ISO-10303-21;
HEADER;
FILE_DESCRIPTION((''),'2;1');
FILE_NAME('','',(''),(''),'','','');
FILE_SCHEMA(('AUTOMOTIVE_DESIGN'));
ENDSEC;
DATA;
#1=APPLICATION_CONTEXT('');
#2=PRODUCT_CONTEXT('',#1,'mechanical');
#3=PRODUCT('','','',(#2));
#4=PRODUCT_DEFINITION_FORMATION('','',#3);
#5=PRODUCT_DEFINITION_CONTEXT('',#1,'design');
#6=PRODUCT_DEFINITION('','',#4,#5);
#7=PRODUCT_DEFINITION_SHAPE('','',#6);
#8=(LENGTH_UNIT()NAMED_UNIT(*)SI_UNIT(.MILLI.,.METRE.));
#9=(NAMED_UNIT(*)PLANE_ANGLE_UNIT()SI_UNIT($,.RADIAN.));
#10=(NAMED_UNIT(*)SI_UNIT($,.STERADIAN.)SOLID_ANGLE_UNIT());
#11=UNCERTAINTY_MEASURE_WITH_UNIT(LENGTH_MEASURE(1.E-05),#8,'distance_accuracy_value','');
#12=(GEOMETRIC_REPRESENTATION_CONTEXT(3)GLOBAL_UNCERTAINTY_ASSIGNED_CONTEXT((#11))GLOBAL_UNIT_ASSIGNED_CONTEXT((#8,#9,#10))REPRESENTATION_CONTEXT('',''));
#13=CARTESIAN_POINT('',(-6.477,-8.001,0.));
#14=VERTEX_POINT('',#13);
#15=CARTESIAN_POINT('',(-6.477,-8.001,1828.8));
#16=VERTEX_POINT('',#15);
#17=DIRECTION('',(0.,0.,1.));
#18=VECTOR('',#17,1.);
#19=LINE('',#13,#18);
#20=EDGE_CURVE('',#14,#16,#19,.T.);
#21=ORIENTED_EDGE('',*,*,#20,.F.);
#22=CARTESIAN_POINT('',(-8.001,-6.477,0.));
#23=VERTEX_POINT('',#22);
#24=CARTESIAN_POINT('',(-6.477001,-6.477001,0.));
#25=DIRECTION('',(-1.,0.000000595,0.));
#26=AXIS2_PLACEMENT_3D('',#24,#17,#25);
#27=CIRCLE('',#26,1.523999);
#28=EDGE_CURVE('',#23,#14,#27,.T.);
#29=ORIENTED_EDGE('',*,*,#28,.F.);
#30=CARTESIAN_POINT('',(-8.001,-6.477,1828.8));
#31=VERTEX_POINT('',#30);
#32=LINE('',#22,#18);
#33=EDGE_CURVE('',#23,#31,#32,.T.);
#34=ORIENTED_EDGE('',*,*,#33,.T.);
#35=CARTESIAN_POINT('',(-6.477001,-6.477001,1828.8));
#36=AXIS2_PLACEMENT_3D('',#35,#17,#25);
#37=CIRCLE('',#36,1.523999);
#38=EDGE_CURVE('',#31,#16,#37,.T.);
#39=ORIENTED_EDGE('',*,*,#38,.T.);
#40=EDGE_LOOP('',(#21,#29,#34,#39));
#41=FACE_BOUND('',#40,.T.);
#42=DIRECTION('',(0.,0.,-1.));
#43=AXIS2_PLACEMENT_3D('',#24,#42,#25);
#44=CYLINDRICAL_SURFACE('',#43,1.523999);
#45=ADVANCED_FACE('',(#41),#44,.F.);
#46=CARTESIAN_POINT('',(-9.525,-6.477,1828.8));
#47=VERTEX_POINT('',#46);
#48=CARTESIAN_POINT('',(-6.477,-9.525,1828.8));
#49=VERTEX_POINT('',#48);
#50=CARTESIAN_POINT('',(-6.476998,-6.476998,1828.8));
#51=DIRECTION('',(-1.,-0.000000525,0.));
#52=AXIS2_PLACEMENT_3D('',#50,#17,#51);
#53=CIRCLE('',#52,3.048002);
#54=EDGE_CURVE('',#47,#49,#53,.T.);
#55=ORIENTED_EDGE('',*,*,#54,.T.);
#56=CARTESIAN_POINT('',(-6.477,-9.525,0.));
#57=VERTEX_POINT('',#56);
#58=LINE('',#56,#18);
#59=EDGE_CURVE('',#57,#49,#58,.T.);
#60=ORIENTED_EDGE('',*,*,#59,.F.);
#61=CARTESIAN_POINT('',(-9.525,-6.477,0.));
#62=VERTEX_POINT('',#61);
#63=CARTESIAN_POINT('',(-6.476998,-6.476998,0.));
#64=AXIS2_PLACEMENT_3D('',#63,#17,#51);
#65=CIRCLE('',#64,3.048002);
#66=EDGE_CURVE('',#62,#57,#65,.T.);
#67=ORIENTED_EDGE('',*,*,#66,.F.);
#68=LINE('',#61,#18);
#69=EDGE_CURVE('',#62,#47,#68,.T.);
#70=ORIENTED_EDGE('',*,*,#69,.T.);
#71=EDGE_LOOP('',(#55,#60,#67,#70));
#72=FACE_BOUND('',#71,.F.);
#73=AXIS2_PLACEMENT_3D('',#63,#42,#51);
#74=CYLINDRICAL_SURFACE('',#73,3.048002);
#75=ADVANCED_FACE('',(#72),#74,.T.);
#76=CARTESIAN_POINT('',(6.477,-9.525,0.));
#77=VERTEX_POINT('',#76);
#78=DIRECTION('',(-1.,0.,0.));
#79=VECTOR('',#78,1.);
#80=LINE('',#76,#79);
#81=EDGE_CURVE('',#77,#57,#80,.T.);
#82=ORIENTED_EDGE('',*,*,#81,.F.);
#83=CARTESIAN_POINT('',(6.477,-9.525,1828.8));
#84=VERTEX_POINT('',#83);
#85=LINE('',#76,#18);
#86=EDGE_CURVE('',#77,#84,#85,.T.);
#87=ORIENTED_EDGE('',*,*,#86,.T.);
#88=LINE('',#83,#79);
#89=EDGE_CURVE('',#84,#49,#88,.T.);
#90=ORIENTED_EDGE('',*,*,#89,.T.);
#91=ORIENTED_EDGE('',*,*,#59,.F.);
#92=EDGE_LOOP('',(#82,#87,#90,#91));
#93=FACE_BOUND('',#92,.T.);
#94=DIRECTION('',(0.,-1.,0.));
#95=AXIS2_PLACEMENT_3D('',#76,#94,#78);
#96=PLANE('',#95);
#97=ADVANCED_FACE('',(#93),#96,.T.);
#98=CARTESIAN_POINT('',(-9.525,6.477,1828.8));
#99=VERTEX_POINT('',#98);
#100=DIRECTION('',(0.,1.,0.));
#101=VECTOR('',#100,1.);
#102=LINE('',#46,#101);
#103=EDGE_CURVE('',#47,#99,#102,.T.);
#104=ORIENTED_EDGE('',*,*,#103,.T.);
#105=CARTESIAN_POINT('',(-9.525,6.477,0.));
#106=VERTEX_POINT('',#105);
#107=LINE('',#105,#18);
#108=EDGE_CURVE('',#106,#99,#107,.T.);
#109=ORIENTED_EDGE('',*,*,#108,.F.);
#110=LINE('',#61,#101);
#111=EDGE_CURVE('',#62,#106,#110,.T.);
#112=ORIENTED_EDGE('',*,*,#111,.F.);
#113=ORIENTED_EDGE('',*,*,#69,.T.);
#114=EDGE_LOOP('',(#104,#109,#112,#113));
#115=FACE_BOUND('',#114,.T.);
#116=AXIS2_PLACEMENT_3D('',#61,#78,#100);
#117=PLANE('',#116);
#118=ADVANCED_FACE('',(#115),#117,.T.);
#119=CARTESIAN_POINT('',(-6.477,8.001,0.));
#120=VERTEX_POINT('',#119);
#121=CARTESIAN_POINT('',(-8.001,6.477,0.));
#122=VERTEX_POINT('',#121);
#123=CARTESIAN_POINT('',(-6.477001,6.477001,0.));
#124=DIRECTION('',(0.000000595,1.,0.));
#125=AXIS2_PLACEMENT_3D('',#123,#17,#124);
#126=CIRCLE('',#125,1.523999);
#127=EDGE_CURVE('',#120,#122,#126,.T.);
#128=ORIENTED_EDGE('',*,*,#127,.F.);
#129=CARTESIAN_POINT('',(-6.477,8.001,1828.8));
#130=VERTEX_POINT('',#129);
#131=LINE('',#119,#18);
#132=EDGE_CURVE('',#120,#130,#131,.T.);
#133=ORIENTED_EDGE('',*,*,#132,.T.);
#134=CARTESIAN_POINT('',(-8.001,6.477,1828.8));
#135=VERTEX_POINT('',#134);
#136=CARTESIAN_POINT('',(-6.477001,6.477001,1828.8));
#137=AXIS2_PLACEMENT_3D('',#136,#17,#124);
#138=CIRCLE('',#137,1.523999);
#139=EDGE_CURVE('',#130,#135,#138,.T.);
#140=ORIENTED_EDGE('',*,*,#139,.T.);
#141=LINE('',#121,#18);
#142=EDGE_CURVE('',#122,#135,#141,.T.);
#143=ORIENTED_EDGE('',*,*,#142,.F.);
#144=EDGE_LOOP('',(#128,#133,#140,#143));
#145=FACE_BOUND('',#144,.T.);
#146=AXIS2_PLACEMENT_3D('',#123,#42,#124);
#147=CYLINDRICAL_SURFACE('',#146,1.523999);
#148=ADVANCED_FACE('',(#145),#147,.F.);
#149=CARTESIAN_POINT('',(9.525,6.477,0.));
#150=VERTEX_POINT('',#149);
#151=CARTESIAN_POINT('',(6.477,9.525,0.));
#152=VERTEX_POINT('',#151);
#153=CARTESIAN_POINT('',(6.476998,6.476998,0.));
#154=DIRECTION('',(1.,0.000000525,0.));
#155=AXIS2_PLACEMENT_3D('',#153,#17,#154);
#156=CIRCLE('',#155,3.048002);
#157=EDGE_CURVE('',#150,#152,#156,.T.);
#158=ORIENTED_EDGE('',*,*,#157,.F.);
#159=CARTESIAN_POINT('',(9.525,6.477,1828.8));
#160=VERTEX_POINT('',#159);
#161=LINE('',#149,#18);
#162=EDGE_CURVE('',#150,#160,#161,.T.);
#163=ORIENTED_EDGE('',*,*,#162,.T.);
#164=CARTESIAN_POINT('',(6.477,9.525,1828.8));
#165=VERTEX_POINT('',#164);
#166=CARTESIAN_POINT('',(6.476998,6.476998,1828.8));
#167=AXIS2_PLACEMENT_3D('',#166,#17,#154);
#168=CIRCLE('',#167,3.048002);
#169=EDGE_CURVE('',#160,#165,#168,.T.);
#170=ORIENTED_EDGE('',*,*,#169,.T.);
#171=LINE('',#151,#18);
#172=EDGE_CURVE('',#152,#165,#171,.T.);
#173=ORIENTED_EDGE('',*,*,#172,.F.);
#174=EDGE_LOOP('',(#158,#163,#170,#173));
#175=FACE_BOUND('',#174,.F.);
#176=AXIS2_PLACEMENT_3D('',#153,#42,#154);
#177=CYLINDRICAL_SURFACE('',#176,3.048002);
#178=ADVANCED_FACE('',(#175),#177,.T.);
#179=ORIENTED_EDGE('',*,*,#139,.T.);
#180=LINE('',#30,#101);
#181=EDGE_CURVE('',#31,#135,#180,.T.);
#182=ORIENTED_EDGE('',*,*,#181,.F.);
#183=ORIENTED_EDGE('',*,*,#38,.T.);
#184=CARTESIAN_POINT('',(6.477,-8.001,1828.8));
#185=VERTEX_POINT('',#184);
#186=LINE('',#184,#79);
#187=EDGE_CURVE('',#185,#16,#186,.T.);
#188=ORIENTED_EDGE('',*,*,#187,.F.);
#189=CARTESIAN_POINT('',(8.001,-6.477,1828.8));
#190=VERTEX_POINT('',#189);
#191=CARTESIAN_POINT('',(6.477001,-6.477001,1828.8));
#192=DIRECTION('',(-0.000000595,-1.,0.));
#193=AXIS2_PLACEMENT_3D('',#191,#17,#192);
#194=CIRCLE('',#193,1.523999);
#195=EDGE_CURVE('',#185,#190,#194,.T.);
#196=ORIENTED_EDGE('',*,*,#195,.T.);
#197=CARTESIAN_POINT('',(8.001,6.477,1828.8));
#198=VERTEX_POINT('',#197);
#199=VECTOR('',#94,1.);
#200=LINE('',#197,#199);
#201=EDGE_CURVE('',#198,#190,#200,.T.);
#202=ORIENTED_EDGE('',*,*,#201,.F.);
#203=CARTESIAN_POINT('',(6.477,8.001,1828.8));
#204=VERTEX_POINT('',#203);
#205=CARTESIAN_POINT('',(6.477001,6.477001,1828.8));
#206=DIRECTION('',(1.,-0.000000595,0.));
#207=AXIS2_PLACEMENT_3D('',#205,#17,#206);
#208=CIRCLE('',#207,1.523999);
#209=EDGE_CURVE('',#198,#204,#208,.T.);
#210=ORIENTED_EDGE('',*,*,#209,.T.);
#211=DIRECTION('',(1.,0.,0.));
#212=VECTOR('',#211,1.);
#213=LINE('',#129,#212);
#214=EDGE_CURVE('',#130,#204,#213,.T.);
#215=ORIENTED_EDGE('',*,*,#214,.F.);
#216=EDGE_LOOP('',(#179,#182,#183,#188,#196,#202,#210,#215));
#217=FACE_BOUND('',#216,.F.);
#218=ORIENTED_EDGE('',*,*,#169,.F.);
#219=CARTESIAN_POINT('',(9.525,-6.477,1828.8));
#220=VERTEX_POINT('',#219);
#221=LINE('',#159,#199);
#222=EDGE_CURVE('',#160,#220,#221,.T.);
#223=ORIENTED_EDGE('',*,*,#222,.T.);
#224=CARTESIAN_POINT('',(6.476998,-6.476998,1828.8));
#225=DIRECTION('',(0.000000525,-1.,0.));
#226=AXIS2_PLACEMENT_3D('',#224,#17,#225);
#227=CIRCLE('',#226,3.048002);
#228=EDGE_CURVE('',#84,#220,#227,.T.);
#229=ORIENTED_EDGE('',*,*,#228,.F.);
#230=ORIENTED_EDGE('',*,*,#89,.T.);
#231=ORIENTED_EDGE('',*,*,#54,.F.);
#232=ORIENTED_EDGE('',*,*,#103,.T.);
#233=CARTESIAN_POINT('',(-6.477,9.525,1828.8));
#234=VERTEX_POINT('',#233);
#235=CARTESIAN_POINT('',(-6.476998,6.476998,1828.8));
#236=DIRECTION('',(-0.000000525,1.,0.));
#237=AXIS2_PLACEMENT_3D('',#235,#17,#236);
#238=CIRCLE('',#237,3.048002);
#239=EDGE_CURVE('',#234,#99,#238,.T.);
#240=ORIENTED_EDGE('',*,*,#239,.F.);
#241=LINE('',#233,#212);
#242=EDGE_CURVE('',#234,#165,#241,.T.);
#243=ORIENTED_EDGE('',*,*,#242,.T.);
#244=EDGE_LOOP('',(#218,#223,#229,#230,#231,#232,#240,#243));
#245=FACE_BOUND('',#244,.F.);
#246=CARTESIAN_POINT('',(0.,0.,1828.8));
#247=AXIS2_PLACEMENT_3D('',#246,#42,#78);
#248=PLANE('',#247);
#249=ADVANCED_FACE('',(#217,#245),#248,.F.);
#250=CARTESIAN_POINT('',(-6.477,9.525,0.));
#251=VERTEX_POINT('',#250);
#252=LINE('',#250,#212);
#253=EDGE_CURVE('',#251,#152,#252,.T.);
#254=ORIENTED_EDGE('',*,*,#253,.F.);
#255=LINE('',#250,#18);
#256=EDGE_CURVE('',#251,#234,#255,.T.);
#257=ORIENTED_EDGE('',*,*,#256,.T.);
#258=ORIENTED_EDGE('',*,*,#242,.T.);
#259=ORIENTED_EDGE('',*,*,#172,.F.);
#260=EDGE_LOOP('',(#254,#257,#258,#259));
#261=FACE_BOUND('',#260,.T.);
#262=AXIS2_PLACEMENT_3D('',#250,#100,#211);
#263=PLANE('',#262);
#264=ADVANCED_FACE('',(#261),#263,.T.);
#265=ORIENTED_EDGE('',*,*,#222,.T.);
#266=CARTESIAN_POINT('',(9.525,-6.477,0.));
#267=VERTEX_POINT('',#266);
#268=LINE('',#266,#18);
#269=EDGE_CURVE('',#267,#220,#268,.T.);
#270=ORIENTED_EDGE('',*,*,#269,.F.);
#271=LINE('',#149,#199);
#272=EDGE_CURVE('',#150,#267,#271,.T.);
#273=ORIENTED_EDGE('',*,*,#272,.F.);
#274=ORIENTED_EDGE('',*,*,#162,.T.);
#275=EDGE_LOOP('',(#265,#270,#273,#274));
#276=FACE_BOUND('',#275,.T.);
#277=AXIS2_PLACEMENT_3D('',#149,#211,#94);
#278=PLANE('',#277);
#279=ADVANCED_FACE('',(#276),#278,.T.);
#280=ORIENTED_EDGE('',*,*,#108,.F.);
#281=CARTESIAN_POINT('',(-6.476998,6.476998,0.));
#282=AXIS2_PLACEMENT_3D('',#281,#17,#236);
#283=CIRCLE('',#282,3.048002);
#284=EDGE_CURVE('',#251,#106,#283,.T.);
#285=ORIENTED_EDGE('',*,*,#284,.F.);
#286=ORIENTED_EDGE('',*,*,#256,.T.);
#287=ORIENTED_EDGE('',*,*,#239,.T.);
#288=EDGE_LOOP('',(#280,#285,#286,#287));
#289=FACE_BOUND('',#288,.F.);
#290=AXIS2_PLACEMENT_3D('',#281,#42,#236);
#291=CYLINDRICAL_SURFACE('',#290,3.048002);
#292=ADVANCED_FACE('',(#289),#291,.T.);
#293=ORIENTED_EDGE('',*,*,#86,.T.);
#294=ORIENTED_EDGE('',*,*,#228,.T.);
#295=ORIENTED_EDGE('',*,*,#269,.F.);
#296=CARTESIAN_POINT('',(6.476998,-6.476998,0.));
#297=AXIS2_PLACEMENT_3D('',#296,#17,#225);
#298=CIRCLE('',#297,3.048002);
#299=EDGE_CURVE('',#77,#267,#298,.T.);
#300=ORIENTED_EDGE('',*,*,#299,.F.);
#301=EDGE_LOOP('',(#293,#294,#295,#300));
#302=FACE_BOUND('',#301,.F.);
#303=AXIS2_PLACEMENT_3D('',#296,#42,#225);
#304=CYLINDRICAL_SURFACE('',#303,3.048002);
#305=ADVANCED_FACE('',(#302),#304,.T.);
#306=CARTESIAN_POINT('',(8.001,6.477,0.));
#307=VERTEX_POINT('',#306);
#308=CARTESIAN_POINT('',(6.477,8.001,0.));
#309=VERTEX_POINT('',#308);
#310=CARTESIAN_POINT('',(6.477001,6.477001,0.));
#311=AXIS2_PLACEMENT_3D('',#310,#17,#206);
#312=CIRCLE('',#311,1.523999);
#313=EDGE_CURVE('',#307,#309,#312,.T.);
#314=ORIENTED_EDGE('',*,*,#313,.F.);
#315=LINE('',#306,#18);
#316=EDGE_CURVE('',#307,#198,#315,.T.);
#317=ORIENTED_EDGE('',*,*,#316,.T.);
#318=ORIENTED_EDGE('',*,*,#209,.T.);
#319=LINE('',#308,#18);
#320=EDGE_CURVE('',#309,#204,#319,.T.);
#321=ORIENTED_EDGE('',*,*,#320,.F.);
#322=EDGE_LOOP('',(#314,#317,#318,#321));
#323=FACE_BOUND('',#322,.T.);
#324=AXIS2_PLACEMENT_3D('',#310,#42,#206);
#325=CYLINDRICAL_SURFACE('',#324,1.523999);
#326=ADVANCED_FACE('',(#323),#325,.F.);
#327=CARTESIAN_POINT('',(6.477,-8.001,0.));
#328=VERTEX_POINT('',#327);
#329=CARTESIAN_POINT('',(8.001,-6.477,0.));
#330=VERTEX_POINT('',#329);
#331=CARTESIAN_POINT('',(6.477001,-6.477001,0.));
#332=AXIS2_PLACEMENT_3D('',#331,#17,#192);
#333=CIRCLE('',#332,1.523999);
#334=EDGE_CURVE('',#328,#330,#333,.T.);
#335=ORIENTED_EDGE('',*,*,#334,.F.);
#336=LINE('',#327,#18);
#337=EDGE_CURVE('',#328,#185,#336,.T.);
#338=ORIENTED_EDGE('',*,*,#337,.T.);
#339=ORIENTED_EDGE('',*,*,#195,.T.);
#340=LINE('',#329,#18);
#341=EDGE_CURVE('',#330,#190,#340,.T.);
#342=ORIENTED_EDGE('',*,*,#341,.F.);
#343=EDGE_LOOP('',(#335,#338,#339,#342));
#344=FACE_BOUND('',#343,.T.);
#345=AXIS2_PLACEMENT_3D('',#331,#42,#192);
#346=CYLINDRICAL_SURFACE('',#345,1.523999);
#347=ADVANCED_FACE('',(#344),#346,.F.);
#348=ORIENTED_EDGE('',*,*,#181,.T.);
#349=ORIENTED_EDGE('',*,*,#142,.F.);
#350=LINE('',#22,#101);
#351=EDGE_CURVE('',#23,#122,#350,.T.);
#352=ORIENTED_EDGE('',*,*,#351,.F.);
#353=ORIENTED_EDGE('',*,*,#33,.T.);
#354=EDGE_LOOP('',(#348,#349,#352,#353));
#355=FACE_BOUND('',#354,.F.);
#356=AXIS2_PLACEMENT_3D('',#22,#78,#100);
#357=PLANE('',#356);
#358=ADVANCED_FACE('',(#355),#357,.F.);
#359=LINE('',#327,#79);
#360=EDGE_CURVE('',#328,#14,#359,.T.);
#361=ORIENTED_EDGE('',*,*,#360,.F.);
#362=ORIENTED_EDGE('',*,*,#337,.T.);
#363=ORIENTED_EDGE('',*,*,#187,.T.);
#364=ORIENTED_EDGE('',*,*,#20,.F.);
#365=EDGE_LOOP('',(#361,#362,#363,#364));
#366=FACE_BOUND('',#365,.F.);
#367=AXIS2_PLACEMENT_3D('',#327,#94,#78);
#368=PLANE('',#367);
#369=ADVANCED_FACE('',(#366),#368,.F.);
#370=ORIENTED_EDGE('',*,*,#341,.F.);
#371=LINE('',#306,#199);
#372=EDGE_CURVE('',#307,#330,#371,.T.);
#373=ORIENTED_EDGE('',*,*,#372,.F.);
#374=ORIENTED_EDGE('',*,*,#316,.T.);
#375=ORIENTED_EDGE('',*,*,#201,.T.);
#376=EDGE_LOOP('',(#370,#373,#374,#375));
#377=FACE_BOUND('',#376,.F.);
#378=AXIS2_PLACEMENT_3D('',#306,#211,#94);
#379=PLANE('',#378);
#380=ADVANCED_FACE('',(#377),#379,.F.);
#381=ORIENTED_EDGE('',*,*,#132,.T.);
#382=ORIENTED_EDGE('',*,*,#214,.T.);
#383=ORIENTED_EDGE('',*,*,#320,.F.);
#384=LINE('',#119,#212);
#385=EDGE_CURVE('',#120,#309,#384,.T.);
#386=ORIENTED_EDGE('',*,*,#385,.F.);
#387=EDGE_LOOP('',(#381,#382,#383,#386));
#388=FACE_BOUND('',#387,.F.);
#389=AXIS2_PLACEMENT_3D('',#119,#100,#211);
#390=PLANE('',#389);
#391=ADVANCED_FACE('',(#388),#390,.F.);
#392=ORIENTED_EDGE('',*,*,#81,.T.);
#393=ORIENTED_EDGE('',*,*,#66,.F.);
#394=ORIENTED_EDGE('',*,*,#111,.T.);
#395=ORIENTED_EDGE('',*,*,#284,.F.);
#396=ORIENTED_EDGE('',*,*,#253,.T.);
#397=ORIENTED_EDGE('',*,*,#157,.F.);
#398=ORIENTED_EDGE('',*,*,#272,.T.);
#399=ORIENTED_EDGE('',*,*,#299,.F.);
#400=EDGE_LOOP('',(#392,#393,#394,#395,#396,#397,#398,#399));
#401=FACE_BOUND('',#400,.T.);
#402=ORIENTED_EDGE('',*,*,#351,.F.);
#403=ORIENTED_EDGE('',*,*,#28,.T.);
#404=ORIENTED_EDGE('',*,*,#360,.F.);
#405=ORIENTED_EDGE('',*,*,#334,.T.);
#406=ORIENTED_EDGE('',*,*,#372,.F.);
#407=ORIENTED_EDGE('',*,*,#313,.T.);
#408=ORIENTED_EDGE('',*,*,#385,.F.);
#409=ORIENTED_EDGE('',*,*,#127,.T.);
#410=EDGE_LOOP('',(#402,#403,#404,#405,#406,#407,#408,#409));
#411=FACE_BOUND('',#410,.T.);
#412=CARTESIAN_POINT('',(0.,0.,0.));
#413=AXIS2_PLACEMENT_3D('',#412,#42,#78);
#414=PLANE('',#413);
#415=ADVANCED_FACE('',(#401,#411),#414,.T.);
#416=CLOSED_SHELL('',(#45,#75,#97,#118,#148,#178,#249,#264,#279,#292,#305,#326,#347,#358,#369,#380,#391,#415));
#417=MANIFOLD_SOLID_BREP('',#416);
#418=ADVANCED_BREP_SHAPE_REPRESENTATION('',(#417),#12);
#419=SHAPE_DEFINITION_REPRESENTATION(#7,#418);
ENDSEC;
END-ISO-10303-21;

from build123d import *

# Parameters (mm, degrees)
PAD_DEPTH = 1828.8


with BuildPart() as part:
    # Sketch002 → Pad (new body)
    with BuildSketch(Plane.XY):
        with BuildLine():
            Line((-6.477, 9.525), (6.477, 9.525))
            ThreePointArc((9.525, 6.477), (8.632261, 8.632261), (6.477, 9.525))
            Line((9.525, 6.477), (9.525, -6.477))
            ThreePointArc((6.477, -9.525), (8.632261, -8.632261), (9.525, -6.477))
            Line((6.477, -9.525), (-6.477, -9.525))
            ThreePointArc((-9.525, -6.477), (-8.632261, -8.632261), (-6.477, -9.525))
            Line((-9.525, -6.477), (-9.525, 6.477))
            ThreePointArc((-6.477, 9.525), (-8.632261, 8.632261), (-9.525, 6.477))
        make_face()
        with BuildLine():
            Line((-6.477, 8.001), (6.477, 8.001))
            ThreePointArc((8.001, 6.477), (7.554631, 7.554631), (6.477, 8.001))
            Line((8.001, 6.477), (8.001, -6.477))
            ThreePointArc((6.477, -8.001), (7.554631, -7.554631), (8.001, -6.477))
            Line((6.477, -8.001), (-6.477, -8.001))
            ThreePointArc((-8.001, -6.477), (-7.554631, -7.554631), (-6.477, -8.001))
            Line((-8.001, -6.477), (-8.001, 6.477))
            ThreePointArc((-6.477, 8.001), (-7.554631, 7.554631), (-8.001, 6.477))
        make_face(mode=Mode.SUBTRACT)
    extrude(amount=PAD_DEPTH)


solid = part.part
